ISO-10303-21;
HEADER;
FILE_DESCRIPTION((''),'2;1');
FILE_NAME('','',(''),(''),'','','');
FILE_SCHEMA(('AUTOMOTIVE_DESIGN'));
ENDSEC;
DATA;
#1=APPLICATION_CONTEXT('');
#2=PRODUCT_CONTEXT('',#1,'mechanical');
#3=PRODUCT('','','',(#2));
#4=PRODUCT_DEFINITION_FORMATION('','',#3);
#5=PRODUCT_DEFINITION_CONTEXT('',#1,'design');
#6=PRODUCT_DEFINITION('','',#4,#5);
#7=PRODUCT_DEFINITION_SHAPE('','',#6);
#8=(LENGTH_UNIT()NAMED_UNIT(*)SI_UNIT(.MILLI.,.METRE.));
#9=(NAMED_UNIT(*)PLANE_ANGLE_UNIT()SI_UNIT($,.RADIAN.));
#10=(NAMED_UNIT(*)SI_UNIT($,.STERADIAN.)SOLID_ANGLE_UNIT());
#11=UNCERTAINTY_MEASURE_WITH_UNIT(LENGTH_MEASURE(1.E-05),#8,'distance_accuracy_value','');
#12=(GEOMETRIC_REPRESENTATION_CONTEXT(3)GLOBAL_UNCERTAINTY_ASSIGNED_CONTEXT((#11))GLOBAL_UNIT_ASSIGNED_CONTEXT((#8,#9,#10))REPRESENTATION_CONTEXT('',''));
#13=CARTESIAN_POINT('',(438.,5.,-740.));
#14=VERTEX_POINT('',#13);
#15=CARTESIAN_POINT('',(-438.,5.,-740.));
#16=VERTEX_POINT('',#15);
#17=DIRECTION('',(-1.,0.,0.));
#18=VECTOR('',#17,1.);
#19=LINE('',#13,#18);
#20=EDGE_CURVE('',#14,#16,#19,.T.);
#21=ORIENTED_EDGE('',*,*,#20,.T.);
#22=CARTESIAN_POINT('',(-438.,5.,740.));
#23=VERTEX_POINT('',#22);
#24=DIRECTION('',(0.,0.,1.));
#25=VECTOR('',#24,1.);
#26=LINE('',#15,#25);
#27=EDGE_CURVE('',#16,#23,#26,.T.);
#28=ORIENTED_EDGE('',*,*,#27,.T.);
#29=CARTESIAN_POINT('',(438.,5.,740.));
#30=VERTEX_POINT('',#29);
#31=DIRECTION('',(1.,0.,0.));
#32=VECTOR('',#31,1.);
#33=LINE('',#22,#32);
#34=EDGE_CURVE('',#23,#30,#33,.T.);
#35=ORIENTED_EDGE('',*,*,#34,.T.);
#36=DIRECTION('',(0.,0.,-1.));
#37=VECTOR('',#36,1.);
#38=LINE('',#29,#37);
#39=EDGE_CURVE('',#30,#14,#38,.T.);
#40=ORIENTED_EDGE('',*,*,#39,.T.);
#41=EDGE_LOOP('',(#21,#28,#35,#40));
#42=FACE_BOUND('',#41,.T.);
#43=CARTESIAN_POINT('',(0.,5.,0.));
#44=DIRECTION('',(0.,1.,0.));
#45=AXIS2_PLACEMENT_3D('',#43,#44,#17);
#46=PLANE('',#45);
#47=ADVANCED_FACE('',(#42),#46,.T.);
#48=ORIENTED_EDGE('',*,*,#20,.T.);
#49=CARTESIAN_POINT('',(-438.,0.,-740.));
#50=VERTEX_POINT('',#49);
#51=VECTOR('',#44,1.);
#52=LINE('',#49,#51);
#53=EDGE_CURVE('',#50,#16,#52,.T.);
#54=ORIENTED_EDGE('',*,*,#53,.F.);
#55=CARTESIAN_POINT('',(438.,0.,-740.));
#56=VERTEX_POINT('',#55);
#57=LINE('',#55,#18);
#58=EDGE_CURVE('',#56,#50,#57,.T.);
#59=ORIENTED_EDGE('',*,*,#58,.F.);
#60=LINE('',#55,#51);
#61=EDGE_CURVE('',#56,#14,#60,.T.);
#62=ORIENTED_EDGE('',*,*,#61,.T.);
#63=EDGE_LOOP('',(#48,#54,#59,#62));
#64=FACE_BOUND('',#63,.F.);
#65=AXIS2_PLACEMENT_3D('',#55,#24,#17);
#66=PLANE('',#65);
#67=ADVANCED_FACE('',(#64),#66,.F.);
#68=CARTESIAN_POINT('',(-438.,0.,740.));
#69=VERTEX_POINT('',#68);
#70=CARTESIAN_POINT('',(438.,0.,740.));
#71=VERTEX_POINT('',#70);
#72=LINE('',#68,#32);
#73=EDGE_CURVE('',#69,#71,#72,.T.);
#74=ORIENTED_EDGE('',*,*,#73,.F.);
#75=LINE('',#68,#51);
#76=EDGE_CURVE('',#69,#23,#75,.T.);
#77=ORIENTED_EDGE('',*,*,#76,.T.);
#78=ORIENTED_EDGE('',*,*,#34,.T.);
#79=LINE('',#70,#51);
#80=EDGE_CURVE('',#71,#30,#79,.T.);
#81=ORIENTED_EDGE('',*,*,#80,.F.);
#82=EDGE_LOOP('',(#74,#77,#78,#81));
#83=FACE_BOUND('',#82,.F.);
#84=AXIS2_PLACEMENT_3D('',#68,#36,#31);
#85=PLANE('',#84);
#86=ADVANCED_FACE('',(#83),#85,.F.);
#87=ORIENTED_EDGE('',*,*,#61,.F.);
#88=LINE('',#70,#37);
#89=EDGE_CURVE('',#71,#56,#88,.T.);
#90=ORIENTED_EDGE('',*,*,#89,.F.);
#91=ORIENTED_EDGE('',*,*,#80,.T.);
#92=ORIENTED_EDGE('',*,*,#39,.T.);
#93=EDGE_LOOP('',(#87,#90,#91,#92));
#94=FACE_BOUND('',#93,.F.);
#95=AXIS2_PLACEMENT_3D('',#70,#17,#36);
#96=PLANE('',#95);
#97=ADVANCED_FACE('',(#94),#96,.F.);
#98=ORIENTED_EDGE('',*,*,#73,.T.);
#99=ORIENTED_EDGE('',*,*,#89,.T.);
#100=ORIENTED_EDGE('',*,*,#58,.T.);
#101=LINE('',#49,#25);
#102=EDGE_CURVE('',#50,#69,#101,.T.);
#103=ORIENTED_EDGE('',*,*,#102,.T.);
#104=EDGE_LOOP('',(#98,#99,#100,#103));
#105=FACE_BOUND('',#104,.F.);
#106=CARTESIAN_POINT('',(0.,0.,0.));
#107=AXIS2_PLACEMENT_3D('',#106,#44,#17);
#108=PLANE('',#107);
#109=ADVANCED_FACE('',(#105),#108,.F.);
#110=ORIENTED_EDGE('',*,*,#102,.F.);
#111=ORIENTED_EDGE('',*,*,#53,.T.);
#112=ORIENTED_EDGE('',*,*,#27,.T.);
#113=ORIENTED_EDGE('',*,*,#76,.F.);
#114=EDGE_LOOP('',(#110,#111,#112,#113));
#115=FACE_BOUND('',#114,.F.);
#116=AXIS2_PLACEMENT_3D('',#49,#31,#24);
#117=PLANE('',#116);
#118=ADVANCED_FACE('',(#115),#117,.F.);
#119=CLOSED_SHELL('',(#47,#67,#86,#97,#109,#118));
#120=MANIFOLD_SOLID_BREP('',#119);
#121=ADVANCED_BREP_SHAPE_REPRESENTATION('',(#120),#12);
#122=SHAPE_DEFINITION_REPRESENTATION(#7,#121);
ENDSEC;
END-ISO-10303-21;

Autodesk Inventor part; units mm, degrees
ref_plane "YZ Plane" through (0, 0, 0) normal (1, 0, 0) x (0, 1, 0)
ref_plane "XZ Plane" through (0, 0, 0) normal (0, 1, 0) x (-1, 0, 0)
ref_plane "XY Plane" through (0, 0, 0) normal (0, 0, 1) x (1, 0, 0)
sketch "Эскиз1" plane through (0, 0, 0) normal (0, 1, 0) x (-1, 0, 0)
  line L0 (438, 740) -> (-438, 740)
  line L1 (-438, 740) -> (-438, -740)
  line L2 (-438, -740) -> (438, -740)
  line L3 (438, -740) -> (438, 740)
  line L4 (438, 740) -> (-438, -740) construction
  line L5 (-438, 740) -> (438, -740) construction
  point P0 (0, 0)
  dimension "d0" = 876
  dimension "d1" = 1480
extrude "Пластина1" add sketch "Эскиз1" along normal blind 5
equation "\"d2\" = Толщина"
equation "\"Радиус_гибки\" = Толщина"
equation "\"Ширина_просечки\" = Толщина"
equation "\"Глубина_просечки\" = 0.5 * Толщина"
equation "\"Радиус_перехода\" = Радиус_гибки"
equation "\"Радиус_Якоби\" = Радиус_гибки"
equation "\"Размер_зазора\" = Толщина"
equation "\"Толщина\" = 5"
properties part number "GBK bottom 01126" material "Steel"
